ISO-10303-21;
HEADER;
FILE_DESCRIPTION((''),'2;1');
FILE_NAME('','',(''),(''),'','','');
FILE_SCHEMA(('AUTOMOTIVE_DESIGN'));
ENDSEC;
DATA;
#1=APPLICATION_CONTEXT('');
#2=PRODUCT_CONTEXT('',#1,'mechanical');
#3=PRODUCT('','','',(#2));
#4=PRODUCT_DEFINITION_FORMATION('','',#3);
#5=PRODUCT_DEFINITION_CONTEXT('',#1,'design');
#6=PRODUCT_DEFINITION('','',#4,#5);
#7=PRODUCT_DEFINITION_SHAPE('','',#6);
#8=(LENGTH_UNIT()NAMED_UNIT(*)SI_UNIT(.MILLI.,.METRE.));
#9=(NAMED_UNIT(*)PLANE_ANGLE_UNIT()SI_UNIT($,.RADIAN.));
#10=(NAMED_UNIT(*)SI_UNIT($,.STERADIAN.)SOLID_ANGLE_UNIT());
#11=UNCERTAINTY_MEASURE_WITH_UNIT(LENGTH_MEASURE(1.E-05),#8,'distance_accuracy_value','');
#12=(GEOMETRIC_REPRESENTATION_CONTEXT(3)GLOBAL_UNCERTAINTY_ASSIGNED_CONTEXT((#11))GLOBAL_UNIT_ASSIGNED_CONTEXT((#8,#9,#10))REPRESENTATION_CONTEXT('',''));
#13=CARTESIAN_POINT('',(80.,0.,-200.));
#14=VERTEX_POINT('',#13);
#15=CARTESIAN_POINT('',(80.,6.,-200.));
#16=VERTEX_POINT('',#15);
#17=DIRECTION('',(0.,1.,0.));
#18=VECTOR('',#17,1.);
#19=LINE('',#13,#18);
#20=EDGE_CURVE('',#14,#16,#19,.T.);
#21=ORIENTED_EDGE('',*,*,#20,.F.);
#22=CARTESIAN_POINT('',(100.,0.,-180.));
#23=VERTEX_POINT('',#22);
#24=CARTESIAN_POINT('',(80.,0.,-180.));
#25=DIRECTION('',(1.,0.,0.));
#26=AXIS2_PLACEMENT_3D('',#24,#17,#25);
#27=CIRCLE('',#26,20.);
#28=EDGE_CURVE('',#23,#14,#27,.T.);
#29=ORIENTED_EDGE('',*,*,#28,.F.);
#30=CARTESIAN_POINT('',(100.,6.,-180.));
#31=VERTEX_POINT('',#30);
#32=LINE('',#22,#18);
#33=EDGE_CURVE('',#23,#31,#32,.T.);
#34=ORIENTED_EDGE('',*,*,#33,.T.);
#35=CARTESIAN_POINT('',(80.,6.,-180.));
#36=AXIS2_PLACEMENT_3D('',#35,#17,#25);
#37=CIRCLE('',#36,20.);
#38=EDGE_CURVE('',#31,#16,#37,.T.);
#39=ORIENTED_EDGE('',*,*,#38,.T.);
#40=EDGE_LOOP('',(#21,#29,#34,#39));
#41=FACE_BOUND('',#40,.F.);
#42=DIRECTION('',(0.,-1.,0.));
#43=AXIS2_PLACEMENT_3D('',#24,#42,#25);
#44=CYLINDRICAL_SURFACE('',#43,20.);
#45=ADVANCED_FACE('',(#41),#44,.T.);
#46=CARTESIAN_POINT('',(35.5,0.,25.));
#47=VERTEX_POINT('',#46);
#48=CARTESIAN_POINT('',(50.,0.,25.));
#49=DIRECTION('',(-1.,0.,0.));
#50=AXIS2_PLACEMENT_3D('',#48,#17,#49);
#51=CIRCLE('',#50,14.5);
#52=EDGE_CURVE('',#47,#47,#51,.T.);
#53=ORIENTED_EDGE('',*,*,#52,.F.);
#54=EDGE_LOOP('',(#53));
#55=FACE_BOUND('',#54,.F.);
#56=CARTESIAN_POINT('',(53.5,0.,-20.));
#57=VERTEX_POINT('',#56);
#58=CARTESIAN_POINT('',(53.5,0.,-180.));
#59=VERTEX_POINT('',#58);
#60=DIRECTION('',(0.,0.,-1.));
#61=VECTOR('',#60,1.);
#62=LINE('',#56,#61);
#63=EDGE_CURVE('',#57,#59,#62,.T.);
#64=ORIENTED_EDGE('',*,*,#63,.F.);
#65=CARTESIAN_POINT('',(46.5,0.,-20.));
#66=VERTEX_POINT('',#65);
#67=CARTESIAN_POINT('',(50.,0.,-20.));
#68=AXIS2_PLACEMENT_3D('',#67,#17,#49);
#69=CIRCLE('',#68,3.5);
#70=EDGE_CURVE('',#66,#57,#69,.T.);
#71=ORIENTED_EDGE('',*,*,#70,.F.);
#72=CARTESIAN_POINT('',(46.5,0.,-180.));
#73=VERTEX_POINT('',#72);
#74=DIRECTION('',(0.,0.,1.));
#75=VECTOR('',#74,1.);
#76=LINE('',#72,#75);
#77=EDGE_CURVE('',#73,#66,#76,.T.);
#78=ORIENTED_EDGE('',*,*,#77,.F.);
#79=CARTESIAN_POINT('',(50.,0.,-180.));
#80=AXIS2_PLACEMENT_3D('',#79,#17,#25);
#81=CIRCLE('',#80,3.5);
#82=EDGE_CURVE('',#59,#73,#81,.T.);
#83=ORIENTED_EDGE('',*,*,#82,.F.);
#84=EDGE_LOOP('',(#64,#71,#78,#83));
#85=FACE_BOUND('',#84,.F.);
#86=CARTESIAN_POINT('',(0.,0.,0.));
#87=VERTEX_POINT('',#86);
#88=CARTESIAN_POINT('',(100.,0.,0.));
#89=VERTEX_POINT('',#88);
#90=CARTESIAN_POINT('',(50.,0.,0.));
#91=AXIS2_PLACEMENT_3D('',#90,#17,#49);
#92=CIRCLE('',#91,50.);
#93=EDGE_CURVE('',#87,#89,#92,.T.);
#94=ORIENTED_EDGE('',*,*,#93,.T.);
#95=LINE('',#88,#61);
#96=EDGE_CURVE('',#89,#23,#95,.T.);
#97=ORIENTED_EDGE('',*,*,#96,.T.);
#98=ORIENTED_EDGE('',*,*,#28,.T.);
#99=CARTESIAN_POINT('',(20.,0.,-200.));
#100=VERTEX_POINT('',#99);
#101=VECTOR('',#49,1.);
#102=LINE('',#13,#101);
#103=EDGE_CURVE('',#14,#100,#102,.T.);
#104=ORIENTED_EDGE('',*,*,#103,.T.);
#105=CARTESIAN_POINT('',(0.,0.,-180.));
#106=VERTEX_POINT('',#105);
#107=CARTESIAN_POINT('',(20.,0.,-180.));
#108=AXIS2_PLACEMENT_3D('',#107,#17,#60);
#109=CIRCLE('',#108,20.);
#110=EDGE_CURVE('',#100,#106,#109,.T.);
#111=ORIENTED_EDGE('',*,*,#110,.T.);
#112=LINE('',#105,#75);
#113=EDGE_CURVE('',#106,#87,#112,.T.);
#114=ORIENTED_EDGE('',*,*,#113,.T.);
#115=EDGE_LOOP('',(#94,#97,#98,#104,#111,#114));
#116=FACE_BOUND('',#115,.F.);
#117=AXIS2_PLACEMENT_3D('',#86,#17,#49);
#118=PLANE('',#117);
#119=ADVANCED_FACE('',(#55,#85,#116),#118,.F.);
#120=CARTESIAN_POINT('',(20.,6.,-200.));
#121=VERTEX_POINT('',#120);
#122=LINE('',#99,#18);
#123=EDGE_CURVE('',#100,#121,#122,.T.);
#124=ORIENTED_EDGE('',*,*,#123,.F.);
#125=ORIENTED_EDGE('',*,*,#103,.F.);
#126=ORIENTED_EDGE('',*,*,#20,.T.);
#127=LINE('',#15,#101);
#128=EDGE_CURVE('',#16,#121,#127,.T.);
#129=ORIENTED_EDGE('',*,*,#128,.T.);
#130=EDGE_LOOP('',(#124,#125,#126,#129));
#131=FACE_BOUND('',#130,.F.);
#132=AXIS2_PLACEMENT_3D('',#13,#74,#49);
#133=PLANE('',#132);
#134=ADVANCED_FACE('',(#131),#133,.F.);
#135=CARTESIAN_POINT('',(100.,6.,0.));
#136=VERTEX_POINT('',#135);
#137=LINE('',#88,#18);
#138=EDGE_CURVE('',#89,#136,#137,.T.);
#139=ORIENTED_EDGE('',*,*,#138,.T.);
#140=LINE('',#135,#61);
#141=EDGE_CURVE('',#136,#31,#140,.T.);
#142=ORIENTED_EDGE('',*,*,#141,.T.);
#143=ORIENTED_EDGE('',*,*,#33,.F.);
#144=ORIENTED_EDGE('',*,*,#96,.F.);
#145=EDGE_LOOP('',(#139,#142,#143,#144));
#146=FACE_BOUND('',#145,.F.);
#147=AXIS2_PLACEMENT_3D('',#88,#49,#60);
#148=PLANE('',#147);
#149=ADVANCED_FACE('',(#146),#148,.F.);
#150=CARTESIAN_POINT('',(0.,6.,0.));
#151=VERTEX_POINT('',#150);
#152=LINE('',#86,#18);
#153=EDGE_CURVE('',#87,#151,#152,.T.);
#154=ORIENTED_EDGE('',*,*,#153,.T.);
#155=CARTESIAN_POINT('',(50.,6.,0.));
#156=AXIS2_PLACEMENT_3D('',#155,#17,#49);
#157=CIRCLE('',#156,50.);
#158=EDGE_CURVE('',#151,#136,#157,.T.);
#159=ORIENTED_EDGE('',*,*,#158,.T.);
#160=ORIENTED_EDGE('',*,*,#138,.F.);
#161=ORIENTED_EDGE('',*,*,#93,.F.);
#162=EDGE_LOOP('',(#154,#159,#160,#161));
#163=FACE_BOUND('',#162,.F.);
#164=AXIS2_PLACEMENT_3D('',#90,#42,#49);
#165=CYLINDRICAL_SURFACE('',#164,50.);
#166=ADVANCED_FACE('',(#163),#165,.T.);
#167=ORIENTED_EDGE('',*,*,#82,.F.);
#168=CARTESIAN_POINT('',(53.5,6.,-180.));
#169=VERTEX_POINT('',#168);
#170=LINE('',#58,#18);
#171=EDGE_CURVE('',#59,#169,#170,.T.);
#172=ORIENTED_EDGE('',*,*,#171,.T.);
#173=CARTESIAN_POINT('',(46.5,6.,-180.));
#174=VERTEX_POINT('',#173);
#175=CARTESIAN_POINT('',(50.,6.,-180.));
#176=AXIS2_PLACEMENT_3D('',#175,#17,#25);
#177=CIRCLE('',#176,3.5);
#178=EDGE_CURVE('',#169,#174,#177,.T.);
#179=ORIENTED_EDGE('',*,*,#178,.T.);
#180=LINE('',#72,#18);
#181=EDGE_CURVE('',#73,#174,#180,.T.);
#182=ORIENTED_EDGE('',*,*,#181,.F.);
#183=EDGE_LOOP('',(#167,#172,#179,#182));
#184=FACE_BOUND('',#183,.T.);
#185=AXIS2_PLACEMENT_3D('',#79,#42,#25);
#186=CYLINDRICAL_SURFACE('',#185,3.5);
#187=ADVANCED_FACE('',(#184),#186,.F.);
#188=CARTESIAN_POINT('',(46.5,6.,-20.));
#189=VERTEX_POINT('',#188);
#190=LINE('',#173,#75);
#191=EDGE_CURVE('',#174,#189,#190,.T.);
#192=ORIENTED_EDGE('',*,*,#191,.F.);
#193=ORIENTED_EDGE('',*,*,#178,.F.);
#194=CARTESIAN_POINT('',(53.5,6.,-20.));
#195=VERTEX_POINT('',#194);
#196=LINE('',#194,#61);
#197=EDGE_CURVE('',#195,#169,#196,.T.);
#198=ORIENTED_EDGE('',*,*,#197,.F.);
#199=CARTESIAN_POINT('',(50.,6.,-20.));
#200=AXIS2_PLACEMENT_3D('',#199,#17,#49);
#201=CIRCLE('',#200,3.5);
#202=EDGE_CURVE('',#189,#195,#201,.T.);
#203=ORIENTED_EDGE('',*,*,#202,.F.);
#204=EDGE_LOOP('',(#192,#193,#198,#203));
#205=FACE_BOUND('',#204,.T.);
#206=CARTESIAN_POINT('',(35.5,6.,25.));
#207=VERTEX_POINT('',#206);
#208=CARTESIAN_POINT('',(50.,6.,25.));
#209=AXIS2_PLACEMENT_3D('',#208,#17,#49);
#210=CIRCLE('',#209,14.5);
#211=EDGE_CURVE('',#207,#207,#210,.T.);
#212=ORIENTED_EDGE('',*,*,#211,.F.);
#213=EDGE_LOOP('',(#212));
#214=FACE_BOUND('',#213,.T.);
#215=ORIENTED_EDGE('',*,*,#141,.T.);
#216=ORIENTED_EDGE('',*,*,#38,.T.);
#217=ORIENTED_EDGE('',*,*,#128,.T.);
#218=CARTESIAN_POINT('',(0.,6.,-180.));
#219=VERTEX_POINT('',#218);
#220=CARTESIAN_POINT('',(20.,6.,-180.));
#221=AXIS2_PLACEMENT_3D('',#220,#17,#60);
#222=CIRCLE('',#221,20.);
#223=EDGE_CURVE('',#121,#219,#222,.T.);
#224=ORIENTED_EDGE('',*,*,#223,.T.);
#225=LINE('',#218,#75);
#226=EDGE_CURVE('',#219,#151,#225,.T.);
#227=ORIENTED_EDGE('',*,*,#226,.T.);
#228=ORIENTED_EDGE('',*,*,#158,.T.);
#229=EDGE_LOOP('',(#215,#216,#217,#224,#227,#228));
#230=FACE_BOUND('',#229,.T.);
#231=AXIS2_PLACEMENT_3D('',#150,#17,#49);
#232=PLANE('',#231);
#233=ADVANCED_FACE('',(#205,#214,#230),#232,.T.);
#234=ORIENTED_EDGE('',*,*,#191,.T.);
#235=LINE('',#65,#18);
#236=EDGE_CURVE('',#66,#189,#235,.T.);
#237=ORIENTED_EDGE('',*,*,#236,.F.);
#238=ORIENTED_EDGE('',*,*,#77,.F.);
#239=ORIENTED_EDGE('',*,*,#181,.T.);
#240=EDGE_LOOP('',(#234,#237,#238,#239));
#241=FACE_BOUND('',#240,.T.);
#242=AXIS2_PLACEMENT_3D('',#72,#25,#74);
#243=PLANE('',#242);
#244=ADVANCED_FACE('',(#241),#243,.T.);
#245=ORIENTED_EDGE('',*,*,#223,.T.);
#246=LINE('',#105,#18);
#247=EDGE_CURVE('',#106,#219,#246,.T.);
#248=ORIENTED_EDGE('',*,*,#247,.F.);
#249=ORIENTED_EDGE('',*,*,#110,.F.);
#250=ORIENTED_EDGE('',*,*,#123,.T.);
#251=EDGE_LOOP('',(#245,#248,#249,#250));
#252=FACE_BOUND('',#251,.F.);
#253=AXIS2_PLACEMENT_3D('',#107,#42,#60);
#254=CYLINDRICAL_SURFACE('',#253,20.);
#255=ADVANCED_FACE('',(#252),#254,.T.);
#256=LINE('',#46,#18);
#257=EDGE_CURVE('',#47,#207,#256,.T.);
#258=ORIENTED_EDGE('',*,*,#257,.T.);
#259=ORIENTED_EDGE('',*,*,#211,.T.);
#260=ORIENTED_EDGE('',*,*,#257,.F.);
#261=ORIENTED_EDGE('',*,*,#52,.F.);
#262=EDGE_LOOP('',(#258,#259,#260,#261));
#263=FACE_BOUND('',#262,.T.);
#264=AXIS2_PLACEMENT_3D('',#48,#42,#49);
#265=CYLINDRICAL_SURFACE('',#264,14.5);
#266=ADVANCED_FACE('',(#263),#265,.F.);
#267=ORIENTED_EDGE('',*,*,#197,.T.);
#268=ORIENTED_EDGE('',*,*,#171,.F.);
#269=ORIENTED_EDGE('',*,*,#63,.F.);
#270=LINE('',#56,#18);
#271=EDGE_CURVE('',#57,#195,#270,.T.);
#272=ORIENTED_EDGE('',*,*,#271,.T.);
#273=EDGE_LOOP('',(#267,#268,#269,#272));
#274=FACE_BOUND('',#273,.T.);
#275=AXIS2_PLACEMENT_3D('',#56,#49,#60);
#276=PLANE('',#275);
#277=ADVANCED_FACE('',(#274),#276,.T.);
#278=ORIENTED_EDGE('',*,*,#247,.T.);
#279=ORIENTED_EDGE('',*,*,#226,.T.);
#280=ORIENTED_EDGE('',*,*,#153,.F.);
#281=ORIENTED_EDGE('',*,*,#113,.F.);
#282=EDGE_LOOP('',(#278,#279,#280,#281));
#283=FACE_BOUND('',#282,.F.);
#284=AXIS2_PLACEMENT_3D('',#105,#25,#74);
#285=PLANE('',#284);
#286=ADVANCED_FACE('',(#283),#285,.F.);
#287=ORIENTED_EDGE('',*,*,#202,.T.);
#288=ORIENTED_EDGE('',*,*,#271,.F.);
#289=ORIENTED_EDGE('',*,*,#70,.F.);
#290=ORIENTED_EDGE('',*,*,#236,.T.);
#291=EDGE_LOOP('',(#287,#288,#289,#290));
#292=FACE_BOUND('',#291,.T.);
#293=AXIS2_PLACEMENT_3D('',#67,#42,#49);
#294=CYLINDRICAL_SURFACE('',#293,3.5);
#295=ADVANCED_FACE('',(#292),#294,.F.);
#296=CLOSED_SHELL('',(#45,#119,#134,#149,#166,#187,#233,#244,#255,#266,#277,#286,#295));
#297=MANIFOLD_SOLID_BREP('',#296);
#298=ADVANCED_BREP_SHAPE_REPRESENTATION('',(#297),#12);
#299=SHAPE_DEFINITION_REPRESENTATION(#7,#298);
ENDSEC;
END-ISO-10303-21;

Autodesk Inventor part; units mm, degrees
ref_plane "YZ Plane" through (0, 0, 0) normal (1, 0, 0) x (0, 1, 0)
ref_plane "XZ Plane" through (0, 0, 0) normal (0, 1, 0) x (-1, 0, 0)
ref_plane "XY Plane" through (0, 0, 0) normal (0, 0, 1) x (1, 0, 0)
sketch "草圖1" plane through (0, 0, 0) normal (0, 1, 0) x (-1, 0, 0)
  line L0 (-100, 0) -> (-100, -180)
  line L1 (-80, -200) -> (-20, -200)
  line L2 (0, -180) -> (0, 0)
  arc A0 (0, 0) -> (-100, 0) centre (-50, 0) ccw
  arc A1 (-20, -200) -> (0, -180) centre (-20, -180) ccw
  arc A2 (-100, -180) -> (-80, -200) centre (-80, -180) ccw
  line L3 (-50, -180) -> (-50, -20) construction
  line L4 (-46.5, -180) -> (-46.5, -20)
  line L5 (-53.5, -20) -> (-53.5, -180)
  arc A3 (-53.5, -180) -> (-46.5, -180) centre (-50, -180) ccw
  arc A4 (-46.5, -20) -> (-53.5, -20) centre (-50, -20) ccw
  line L6 (-50, -180) -> (110, -180) construction
  line L7 (0, 0) -> (-100, 0) construction
  line L8 (-50, 0) -> (-50, 50) construction
  circle A5 centre (-50, 25) radius 14.5
  point P0 (-50, -100)
  dimension "d5" = 20
  dimension "d6" = 160
  dimension "d7" = 90
  dimension "d8" = 7
  dimension "d12" = 29
sketch "草圖2" plane through (0, 0, 0) normal (0, 1, 0) x (-1, 0, 0)
  line L0 (0, 0) -> (-100, 0)
  line L1 (-50, 0) -> (-50, 50) construction
  circle A0 centre (-50, 25) radius 14.5
  dimension "d9" = 100
  dimension "d10" = 50
  dimension "d11" = 29
extrude "擠出1" add sketch "草圖1" along normal blind 6
